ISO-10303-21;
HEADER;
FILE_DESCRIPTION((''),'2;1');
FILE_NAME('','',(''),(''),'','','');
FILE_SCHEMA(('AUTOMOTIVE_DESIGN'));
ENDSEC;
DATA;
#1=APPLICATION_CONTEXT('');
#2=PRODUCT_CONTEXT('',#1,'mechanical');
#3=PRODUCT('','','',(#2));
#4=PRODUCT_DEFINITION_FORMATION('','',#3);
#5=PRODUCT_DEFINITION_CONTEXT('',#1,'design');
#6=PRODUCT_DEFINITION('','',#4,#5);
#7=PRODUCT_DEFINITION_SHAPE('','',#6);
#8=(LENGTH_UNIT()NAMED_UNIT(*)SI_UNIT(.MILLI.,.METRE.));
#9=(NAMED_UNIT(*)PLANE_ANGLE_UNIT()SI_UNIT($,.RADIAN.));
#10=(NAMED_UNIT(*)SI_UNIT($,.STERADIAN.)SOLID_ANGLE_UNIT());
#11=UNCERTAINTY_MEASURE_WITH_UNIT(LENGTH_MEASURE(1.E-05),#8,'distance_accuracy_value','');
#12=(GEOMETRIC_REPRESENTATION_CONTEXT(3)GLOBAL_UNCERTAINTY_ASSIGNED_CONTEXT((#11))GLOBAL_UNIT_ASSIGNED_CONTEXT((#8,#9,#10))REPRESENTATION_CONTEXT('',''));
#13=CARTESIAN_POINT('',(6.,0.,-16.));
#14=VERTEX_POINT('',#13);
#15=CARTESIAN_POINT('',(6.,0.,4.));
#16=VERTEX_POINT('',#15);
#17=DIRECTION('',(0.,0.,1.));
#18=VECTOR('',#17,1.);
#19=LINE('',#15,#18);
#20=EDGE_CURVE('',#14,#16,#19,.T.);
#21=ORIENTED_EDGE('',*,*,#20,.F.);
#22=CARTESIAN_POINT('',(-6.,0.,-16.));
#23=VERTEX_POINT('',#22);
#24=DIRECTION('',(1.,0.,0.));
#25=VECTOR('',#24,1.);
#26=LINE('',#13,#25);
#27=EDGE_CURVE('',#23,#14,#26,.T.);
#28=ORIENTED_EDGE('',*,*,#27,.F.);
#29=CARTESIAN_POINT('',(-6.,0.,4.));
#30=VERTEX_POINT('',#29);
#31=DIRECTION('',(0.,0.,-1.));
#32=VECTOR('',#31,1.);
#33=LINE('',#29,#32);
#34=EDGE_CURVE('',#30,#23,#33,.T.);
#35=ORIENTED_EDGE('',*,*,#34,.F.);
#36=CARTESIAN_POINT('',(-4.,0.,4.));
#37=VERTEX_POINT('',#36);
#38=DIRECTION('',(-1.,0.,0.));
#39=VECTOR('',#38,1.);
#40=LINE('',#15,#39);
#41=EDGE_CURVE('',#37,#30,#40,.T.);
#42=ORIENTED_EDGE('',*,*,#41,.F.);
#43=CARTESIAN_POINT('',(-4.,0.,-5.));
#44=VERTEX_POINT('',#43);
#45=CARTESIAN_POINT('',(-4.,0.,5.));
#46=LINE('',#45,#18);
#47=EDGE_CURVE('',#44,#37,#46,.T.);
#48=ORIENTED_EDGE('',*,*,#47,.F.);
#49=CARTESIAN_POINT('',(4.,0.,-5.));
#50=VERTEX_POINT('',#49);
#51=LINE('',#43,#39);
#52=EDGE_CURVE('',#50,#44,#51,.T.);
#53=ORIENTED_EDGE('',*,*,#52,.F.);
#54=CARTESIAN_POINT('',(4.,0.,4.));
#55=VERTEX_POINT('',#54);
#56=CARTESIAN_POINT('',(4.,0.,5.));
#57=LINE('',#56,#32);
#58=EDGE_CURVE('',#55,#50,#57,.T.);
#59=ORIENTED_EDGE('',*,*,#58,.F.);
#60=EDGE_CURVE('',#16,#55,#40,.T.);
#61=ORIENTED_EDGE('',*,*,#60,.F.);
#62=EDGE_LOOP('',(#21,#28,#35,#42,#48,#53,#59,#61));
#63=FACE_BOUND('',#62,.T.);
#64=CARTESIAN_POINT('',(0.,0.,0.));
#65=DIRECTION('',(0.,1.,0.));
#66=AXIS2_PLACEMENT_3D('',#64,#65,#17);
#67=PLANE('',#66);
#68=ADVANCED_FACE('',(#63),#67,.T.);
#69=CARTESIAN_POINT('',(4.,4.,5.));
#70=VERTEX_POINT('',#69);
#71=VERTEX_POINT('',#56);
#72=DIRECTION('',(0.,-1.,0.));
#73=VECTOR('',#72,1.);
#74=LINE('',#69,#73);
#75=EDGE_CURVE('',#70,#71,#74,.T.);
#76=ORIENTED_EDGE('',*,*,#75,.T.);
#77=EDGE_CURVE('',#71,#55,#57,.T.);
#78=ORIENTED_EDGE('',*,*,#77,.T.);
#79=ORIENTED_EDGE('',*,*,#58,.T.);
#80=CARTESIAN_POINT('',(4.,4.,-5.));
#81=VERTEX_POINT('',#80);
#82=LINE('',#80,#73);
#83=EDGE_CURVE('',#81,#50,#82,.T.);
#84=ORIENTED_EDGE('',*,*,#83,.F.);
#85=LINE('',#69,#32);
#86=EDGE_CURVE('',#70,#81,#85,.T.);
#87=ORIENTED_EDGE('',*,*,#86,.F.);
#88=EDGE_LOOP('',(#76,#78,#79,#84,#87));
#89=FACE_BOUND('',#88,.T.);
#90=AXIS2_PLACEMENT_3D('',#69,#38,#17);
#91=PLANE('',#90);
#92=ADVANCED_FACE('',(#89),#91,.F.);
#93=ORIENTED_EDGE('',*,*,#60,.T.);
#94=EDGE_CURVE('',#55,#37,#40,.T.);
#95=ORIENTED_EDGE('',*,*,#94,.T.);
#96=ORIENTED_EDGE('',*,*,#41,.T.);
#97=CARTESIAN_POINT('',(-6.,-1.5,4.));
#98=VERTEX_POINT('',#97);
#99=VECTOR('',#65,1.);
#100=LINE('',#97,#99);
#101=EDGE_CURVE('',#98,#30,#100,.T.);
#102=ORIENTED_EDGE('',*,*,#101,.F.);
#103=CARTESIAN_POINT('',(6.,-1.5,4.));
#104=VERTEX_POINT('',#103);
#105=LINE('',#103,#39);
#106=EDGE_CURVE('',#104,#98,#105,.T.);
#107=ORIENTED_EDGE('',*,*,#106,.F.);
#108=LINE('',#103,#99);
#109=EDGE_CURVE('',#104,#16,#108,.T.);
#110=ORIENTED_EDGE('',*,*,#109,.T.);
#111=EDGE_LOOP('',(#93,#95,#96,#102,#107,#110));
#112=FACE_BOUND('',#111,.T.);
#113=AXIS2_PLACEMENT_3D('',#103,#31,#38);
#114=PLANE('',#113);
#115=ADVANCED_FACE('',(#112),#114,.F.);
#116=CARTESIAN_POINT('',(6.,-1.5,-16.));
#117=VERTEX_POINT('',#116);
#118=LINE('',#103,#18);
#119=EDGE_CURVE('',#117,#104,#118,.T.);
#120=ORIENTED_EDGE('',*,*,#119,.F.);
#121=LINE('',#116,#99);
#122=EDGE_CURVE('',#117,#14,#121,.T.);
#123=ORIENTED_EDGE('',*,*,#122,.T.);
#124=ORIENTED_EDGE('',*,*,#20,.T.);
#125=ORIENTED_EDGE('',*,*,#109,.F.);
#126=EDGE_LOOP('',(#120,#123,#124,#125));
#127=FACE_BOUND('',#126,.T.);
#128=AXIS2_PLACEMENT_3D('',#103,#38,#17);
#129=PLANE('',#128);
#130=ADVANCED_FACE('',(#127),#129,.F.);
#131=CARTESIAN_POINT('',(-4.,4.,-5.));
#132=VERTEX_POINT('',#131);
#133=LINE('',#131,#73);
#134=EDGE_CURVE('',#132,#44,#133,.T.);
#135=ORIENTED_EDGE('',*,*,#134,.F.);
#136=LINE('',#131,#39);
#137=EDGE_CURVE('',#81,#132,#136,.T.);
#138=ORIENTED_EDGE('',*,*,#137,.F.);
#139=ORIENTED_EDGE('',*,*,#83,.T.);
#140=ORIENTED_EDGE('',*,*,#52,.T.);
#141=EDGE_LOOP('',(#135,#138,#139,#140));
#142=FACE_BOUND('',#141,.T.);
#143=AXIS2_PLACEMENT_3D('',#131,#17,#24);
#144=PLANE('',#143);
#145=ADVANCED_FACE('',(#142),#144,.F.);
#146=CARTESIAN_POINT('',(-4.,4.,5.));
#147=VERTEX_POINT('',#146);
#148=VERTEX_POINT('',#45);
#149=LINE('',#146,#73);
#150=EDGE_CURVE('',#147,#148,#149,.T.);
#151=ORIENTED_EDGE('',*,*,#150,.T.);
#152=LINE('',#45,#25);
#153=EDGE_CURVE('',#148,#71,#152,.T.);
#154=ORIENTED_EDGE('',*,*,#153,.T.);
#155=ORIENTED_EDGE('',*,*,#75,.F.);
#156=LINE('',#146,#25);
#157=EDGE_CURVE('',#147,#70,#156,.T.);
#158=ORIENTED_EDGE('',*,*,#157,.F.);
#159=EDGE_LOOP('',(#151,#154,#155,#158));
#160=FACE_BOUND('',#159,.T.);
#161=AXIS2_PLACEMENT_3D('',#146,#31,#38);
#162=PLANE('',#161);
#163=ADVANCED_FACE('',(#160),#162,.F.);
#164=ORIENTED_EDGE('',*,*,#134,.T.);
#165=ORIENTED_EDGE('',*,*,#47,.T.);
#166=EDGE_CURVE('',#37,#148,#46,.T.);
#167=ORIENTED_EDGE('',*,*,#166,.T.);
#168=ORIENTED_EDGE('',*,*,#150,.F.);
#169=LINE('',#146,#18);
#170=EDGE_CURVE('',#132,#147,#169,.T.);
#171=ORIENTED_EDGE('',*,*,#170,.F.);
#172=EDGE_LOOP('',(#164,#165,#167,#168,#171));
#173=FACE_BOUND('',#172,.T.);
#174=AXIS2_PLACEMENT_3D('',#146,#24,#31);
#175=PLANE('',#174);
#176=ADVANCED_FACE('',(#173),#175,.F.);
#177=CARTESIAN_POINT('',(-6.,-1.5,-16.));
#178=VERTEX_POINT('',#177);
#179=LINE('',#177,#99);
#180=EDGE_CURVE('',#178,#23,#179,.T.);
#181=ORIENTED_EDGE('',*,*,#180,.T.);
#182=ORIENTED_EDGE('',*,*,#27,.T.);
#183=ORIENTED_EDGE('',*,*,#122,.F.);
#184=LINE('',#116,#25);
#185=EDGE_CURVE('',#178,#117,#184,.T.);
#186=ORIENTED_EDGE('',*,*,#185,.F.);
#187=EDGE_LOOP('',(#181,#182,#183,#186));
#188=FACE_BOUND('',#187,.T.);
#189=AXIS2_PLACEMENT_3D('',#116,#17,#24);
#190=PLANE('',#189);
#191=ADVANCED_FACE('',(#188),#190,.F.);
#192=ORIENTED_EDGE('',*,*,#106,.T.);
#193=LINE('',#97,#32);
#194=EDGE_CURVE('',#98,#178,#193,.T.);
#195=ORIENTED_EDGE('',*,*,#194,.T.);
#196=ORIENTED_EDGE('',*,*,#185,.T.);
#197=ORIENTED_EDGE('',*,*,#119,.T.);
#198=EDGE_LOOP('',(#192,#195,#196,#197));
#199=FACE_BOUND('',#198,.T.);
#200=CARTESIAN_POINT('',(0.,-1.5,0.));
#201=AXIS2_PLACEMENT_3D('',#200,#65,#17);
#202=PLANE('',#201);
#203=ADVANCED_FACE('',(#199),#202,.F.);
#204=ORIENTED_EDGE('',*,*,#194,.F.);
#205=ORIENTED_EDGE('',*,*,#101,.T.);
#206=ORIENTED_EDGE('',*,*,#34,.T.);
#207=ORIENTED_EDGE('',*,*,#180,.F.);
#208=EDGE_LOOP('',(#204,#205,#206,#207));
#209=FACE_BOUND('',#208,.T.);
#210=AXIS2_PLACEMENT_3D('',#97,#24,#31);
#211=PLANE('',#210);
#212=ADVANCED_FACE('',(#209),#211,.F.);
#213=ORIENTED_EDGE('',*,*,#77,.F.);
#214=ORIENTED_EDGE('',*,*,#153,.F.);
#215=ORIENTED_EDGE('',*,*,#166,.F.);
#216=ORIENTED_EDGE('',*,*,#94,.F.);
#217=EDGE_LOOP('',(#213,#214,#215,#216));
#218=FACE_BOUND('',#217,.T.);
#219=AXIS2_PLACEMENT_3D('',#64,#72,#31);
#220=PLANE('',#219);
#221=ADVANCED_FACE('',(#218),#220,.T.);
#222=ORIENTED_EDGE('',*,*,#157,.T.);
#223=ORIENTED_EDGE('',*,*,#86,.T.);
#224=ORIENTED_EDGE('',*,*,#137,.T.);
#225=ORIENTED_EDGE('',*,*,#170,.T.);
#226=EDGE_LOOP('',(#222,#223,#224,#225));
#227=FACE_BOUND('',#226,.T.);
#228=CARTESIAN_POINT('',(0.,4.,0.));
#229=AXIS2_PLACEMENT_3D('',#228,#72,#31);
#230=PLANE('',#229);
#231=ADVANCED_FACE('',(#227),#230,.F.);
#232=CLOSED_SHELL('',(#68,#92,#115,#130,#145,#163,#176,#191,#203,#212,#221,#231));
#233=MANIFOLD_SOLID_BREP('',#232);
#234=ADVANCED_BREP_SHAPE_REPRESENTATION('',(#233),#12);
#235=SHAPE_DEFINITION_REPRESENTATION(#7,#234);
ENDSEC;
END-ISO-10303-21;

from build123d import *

# Parameters (mm, degrees)
SKETCH1_W           = 8
SKETCH1_H           = 10
BOSS_EXTRUDE1_DEPTH = 4
SKETCH2_W           = 12
SKETCH2_H           = 20
BOSS_EXTRUDE2_DEPTH = 1.5


with BuildPart() as part:
    # Sketch1 → Boss-Extrude1 (new body)
    with BuildSketch(Plane(origin=(0, 0, 0), x_dir=(1, 0, 0), z_dir=(0, 1, 0))):
        Rectangle(SKETCH1_W, SKETCH1_H)
    extrude(amount=BOSS_EXTRUDE1_DEPTH)

    # Sketch2 → Boss-Extrude2 (add)
    with BuildSketch(Plane.XZ):
        with Locations((0, -6)):
            Rectangle(SKETCH2_W, SKETCH2_H)
    extrude(amount=BOSS_EXTRUDE2_DEPTH)


solid = part.part
